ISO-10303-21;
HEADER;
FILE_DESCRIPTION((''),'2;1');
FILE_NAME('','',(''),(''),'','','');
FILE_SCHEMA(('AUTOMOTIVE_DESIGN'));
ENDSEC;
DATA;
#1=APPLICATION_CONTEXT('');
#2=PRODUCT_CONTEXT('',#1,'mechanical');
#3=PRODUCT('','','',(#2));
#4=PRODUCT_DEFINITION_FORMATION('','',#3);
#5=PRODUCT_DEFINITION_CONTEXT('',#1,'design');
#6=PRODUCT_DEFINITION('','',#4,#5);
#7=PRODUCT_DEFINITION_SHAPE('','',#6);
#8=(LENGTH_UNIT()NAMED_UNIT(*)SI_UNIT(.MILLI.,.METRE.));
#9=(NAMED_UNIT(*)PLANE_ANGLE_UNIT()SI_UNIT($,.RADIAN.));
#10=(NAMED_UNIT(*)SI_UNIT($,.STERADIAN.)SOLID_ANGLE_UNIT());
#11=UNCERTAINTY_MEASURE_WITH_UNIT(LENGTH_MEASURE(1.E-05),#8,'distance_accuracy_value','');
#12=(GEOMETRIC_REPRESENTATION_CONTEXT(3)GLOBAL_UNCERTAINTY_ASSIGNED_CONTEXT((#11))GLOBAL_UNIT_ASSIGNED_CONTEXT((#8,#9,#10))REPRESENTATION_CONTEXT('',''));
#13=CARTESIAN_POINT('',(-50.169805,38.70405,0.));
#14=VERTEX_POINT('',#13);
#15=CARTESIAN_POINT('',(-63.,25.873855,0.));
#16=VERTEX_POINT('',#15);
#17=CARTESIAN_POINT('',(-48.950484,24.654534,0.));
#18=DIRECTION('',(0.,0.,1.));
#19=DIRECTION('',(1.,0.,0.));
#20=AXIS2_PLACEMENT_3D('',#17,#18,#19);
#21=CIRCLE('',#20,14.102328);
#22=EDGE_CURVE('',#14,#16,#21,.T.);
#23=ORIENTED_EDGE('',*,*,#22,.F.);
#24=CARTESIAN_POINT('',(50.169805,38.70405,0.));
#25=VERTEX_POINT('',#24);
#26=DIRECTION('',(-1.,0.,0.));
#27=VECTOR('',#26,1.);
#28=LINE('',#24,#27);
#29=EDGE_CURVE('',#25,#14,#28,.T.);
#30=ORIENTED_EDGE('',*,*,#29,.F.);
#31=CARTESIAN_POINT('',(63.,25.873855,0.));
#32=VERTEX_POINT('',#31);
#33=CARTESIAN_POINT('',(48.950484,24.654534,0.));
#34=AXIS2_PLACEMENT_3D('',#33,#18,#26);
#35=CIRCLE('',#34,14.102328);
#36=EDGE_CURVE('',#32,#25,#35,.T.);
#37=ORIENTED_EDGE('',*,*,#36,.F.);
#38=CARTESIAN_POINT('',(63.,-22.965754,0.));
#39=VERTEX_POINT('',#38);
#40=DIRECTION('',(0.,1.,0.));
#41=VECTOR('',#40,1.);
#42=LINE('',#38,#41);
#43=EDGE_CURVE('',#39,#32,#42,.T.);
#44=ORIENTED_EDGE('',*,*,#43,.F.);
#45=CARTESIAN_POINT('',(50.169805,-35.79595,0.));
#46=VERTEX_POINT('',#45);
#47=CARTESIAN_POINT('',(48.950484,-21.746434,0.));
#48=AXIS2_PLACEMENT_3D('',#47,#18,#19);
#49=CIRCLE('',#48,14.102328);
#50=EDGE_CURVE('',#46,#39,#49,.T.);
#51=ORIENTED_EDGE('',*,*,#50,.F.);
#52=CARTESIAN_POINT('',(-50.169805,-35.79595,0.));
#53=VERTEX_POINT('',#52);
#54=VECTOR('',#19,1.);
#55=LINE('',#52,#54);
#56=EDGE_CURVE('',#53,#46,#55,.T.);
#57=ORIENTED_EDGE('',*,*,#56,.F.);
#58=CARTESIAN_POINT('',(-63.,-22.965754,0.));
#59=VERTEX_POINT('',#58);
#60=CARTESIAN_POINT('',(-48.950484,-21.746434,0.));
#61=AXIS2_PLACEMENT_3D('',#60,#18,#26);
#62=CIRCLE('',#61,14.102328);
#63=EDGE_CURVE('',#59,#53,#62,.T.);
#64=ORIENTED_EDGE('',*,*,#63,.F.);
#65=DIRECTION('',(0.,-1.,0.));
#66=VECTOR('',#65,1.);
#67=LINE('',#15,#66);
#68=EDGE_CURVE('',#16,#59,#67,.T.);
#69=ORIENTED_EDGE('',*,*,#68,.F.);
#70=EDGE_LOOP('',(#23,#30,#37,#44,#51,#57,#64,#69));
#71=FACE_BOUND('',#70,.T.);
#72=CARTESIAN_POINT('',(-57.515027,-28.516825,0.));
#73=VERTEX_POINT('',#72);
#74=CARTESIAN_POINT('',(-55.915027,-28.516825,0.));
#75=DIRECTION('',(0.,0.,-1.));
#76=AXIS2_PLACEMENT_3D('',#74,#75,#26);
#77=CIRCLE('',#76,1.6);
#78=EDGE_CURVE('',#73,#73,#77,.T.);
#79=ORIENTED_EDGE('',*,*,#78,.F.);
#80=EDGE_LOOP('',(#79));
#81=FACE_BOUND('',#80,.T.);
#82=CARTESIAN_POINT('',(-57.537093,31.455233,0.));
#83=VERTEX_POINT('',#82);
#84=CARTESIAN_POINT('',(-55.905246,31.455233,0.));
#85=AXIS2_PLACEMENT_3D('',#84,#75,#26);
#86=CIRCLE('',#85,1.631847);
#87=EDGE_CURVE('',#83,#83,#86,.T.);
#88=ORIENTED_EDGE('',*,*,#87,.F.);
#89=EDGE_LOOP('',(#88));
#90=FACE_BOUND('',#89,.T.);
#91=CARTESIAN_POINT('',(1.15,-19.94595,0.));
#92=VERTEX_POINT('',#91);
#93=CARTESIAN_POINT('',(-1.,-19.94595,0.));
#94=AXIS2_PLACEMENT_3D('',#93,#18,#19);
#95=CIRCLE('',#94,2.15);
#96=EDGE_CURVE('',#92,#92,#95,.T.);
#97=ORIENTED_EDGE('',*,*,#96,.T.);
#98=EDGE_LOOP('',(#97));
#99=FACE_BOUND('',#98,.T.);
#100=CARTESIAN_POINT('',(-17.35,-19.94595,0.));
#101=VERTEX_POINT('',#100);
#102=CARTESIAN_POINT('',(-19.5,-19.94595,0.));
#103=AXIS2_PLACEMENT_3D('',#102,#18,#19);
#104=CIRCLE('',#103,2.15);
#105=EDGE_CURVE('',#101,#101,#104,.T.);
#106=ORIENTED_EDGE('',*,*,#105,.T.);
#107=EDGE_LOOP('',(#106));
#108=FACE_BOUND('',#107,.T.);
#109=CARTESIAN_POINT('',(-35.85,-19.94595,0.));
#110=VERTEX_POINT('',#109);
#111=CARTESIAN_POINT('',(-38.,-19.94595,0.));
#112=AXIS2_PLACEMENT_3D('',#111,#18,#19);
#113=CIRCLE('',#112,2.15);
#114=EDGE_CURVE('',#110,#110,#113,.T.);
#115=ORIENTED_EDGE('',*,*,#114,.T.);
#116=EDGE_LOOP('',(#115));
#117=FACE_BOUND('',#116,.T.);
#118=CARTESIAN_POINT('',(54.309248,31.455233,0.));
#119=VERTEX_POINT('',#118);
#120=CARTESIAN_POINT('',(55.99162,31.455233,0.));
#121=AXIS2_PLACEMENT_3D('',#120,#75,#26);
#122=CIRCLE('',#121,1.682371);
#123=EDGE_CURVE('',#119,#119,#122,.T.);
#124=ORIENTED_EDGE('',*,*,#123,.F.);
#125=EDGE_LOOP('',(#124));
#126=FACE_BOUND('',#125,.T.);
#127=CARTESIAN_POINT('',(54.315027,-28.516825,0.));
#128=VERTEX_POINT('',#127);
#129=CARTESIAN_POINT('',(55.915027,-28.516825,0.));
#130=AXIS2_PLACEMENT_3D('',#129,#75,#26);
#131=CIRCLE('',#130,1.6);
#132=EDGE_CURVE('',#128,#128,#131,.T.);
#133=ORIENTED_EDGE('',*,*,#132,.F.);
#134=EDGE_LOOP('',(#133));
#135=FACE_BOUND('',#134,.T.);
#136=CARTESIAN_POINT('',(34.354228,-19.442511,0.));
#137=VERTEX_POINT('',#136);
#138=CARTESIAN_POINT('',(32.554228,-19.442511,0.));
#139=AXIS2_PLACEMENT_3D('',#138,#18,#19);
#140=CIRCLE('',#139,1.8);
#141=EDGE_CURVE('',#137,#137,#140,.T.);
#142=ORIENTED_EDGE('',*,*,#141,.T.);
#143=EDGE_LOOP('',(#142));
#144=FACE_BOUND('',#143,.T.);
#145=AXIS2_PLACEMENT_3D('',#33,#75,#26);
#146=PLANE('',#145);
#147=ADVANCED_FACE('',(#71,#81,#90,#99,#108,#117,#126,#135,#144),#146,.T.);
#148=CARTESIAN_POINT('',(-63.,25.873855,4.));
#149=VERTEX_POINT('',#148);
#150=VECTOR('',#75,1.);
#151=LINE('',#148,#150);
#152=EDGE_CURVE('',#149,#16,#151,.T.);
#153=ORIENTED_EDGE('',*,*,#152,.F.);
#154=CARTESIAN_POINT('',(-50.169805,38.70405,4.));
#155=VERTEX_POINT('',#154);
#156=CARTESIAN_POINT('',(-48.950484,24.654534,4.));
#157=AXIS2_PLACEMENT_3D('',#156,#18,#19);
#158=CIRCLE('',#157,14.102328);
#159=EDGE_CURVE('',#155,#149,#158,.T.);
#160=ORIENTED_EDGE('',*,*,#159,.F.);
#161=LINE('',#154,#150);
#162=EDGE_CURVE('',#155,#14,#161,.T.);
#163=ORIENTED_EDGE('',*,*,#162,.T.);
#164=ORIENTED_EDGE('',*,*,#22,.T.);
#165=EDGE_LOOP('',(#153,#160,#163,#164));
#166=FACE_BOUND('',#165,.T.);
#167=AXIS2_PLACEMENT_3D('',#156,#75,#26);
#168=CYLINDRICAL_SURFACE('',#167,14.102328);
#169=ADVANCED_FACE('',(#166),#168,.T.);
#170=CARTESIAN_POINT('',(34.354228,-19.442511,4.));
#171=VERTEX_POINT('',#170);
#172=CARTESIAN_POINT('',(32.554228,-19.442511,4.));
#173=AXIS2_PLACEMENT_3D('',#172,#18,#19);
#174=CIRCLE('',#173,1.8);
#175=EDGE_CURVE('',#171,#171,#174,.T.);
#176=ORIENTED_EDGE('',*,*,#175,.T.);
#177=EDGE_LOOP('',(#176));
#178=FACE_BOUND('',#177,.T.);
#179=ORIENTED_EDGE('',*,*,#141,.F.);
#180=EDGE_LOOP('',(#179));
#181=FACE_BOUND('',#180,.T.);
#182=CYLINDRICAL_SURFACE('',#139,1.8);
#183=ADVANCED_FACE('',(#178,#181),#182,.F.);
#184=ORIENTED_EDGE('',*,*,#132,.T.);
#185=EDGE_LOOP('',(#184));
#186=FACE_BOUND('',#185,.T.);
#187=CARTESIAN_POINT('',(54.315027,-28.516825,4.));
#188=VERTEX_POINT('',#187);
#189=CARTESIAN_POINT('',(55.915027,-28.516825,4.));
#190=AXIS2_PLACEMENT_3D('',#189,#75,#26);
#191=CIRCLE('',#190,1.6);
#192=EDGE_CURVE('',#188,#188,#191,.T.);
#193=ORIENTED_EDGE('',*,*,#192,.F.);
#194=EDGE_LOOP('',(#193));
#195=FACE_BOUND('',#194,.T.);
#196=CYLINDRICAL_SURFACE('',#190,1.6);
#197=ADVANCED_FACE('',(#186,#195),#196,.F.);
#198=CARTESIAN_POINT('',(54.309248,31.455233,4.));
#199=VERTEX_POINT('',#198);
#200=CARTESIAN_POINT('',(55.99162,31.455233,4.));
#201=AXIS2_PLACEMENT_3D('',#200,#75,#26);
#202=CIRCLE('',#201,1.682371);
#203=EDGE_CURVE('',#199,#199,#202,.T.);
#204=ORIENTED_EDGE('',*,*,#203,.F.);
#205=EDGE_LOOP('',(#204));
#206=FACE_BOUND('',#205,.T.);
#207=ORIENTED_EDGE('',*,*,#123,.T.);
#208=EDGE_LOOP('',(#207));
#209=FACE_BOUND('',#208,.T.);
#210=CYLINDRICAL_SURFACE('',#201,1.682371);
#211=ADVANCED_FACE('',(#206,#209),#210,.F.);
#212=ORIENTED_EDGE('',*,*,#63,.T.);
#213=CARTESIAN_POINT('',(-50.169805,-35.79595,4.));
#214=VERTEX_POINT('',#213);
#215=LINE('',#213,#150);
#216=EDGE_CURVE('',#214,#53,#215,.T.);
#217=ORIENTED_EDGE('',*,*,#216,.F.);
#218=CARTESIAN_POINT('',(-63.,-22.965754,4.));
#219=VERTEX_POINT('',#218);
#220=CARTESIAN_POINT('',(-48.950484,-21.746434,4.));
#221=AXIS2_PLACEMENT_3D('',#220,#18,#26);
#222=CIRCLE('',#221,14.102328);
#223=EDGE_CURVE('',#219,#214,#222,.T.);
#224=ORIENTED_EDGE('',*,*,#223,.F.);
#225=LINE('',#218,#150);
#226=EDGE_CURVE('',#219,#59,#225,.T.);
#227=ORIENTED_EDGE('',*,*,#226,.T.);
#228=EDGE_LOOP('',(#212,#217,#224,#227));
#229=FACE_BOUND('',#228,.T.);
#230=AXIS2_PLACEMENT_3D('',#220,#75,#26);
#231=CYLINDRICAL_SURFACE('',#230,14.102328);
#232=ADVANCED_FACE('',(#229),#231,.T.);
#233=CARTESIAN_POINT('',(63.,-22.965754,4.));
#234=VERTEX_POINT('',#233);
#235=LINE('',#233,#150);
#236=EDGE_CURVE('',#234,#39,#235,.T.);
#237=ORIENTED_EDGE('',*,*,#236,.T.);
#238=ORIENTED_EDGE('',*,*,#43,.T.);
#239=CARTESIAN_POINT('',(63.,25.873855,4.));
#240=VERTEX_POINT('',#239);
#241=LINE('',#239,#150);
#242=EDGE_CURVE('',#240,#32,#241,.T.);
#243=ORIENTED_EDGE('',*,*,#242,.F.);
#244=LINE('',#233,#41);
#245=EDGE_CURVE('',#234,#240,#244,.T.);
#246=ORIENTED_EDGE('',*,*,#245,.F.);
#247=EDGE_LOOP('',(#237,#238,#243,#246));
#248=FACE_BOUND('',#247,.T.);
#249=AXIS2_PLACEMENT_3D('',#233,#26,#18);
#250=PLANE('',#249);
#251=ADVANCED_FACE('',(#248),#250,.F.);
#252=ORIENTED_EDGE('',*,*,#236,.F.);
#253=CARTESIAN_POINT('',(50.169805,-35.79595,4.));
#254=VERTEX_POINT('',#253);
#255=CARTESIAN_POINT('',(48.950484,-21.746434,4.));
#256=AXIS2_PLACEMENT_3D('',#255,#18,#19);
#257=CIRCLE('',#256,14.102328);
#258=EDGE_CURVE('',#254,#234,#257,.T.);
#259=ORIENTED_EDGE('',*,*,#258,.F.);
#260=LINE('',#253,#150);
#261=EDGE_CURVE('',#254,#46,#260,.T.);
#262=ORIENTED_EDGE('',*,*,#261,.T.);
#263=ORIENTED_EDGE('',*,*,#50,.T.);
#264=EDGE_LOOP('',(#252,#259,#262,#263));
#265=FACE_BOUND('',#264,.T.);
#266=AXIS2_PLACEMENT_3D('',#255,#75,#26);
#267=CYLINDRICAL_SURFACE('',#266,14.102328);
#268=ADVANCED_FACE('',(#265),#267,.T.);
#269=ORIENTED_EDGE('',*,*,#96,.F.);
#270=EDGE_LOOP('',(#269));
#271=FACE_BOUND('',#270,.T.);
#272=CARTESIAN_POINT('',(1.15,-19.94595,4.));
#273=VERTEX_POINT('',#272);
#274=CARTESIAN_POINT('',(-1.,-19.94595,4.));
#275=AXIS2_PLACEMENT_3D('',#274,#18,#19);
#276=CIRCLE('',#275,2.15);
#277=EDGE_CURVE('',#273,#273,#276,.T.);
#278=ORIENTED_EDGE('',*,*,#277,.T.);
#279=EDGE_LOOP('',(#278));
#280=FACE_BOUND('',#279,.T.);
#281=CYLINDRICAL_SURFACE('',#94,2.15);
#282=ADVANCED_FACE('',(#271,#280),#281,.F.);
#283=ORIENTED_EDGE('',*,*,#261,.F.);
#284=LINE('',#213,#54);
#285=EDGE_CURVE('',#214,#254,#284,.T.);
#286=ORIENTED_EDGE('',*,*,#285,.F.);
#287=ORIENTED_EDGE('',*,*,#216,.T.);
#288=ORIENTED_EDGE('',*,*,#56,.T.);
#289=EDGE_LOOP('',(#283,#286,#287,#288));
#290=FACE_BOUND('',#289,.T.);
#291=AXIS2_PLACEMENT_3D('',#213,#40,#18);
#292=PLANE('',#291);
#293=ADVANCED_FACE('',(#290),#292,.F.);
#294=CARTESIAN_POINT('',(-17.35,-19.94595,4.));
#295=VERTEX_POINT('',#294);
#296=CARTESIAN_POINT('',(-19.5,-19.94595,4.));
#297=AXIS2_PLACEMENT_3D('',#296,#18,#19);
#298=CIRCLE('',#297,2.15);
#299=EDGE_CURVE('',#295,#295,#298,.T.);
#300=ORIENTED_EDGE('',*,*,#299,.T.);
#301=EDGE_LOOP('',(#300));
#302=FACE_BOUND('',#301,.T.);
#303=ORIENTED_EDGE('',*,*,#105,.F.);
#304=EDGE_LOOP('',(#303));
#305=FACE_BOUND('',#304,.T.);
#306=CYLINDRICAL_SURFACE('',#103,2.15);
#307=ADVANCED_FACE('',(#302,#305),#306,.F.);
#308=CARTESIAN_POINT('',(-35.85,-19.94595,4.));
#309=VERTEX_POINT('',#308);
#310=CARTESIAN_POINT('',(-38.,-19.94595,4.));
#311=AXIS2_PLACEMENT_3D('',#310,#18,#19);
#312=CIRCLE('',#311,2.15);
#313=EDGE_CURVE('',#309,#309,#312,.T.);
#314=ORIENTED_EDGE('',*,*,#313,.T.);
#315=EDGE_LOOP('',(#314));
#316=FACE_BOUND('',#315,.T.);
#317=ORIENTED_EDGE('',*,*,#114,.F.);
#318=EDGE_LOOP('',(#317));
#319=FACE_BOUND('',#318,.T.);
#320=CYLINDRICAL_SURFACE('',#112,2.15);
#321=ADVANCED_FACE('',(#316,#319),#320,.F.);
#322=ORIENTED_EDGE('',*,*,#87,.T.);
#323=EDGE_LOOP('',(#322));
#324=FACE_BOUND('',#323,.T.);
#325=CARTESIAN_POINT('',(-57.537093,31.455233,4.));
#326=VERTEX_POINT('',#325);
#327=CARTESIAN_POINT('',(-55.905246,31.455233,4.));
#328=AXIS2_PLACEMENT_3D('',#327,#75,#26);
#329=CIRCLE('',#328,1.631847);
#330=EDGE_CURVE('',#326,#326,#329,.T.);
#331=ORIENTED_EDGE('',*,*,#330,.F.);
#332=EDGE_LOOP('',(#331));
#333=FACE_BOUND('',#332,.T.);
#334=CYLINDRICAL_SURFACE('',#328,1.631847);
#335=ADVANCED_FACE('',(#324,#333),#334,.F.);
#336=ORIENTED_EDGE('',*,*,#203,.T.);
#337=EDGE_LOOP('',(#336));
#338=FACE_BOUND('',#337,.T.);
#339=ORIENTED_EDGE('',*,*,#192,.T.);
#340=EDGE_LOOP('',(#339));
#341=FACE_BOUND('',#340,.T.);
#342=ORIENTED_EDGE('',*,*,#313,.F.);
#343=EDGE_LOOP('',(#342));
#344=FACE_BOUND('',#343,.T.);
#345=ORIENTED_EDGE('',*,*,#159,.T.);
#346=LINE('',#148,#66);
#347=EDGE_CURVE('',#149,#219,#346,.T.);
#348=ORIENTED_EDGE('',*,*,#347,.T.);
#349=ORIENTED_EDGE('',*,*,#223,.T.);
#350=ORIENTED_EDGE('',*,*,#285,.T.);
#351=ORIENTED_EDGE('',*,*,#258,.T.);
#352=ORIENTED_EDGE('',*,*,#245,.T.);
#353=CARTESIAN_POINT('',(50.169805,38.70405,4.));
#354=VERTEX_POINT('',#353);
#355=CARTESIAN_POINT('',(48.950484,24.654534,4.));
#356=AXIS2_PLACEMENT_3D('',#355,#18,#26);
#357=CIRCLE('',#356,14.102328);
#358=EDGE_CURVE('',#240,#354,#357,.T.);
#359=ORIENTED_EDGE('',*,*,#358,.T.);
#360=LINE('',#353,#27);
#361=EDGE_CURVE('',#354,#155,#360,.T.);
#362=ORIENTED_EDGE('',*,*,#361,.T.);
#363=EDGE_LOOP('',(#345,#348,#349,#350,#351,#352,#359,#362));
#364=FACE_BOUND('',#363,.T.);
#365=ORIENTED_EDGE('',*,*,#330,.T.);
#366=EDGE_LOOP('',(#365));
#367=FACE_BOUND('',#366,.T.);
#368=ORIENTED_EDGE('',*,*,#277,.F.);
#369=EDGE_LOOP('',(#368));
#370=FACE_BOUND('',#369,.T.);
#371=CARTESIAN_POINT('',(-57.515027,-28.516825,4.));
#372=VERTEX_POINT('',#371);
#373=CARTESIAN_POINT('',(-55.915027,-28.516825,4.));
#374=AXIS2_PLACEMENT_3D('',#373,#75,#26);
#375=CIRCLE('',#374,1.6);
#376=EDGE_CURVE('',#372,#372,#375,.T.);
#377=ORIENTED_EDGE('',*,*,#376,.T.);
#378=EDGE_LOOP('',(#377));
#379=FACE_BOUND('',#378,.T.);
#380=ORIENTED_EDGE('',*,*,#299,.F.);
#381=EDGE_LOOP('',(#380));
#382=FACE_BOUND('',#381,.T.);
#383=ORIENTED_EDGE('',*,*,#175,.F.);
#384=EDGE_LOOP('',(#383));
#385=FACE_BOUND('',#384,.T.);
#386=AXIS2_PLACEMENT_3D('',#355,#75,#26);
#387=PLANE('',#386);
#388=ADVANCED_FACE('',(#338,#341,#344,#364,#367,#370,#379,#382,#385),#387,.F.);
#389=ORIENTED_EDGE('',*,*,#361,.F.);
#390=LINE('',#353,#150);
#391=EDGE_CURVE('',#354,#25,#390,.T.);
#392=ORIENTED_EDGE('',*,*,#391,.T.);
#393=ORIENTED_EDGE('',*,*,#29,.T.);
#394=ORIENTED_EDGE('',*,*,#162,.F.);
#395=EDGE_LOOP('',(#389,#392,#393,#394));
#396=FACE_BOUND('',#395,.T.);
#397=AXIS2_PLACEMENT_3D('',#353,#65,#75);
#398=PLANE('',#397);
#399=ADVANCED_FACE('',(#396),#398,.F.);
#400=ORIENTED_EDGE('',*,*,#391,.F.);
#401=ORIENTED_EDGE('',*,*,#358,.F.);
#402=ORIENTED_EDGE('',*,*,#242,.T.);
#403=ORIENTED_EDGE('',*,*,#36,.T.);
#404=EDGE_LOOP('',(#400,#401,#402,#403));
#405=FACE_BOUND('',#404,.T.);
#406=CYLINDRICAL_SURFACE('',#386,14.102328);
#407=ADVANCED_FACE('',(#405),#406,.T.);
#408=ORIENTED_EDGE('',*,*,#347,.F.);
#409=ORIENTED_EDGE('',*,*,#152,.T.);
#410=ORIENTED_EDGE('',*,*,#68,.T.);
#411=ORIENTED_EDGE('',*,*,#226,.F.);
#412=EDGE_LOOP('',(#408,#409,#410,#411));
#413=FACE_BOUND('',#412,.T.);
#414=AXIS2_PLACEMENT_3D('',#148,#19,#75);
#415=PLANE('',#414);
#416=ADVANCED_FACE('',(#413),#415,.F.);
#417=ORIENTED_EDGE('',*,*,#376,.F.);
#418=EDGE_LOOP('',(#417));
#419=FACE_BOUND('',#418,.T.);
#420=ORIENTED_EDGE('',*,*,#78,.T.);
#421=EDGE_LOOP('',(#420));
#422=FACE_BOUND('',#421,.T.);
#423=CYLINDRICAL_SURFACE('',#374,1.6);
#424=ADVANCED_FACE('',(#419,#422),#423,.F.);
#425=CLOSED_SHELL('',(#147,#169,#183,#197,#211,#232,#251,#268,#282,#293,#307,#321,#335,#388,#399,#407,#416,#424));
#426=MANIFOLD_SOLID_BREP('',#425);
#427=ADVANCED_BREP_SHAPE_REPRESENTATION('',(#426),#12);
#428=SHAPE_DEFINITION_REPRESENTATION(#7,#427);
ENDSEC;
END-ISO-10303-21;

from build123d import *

# Parameters (mm, degrees)
EXTRUDE_1_DEPTH     = 4
SKETCH_2_R          = 2.15
SKETCH_2_R_2        = 1.8
CUT_EXTRUDE_1_DEPTH = 4
SKETCH_3_R          = 1.682371235
SKETCH_3_R_2        = 1.63184694
SKETCH_3_R_3        = 1.6
CUT_EXTRUDE_2_DEPTH = 4


with BuildPart() as part:
    # Эскиз1 → Бобышка-Вытянуть1 (new body)
    with BuildSketch(Plane.XY):
        with BuildLine():
            Line((63, -22.965754466), (63, 25.873855155))
            ThreePointArc((63, 25.873855155), (58.922335459, 34.626385804), (50.169804811, 38.704050345))
            Line((50.169804811, 38.704050345), (-50.169804811, 38.704050345))
            ThreePointArc((-50.169804811, 38.704050345), (-58.922335459, 34.626385804), (-63, 25.873855155))
            Line((-63, 25.873855155), (-63, -22.965754466))
            ThreePointArc((-63, -22.965754466), (-58.922335459, -31.718285114), (-50.169804811, -35.795949655))
            Line((-50.169804811, -35.795949655), (50.169804811, -35.795949655))
            ThreePointArc((50.169804811, -35.795949655), (58.922335459, -31.718285114), (63, -22.965754466))
        make_face()
    extrude(amount=EXTRUDE_1_DEPTH)

    # Эскиз2 → Вырез-Вытянуть1 (cut)
    with BuildSketch(Plane.XY.offset(4)):
        with Locations((-38, -19.945949655)):
            Circle(SKETCH_2_R)
        with Locations((32.554227521, -19.442510909)):
            Circle(SKETCH_2_R_2)
        with Locations((-19.5, -19.945949655)):
            Circle(SKETCH_2_R)
        with Locations((-1, -19.945949655)):
            Circle(SKETCH_2_R)
    extrude(amount=-CUT_EXTRUDE_1_DEPTH, mode=Mode.SUBTRACT)

    # Эскиз3 → Вырез-Вытянуть2 (cut)
    with BuildSketch(Plane(origin=(0, 0, 0), x_dir=(-1, 0, 0), z_dir=(0, 0, -1))):
        with Locations((-55.991619652, 31.455233256)):
            Circle(SKETCH_3_R)
        with Locations((55.90524563, 31.455233256)):
            Circle(SKETCH_3_R_2)
        with Locations((-55.91502671, -28.516824843)):
            Circle(SKETCH_3_R_3)
        with Locations((55.91502671, -28.516824843)):
            Circle(SKETCH_3_R_3)
    extrude(amount=-CUT_EXTRUDE_2_DEPTH, mode=Mode.SUBTRACT)


solid = part.part
